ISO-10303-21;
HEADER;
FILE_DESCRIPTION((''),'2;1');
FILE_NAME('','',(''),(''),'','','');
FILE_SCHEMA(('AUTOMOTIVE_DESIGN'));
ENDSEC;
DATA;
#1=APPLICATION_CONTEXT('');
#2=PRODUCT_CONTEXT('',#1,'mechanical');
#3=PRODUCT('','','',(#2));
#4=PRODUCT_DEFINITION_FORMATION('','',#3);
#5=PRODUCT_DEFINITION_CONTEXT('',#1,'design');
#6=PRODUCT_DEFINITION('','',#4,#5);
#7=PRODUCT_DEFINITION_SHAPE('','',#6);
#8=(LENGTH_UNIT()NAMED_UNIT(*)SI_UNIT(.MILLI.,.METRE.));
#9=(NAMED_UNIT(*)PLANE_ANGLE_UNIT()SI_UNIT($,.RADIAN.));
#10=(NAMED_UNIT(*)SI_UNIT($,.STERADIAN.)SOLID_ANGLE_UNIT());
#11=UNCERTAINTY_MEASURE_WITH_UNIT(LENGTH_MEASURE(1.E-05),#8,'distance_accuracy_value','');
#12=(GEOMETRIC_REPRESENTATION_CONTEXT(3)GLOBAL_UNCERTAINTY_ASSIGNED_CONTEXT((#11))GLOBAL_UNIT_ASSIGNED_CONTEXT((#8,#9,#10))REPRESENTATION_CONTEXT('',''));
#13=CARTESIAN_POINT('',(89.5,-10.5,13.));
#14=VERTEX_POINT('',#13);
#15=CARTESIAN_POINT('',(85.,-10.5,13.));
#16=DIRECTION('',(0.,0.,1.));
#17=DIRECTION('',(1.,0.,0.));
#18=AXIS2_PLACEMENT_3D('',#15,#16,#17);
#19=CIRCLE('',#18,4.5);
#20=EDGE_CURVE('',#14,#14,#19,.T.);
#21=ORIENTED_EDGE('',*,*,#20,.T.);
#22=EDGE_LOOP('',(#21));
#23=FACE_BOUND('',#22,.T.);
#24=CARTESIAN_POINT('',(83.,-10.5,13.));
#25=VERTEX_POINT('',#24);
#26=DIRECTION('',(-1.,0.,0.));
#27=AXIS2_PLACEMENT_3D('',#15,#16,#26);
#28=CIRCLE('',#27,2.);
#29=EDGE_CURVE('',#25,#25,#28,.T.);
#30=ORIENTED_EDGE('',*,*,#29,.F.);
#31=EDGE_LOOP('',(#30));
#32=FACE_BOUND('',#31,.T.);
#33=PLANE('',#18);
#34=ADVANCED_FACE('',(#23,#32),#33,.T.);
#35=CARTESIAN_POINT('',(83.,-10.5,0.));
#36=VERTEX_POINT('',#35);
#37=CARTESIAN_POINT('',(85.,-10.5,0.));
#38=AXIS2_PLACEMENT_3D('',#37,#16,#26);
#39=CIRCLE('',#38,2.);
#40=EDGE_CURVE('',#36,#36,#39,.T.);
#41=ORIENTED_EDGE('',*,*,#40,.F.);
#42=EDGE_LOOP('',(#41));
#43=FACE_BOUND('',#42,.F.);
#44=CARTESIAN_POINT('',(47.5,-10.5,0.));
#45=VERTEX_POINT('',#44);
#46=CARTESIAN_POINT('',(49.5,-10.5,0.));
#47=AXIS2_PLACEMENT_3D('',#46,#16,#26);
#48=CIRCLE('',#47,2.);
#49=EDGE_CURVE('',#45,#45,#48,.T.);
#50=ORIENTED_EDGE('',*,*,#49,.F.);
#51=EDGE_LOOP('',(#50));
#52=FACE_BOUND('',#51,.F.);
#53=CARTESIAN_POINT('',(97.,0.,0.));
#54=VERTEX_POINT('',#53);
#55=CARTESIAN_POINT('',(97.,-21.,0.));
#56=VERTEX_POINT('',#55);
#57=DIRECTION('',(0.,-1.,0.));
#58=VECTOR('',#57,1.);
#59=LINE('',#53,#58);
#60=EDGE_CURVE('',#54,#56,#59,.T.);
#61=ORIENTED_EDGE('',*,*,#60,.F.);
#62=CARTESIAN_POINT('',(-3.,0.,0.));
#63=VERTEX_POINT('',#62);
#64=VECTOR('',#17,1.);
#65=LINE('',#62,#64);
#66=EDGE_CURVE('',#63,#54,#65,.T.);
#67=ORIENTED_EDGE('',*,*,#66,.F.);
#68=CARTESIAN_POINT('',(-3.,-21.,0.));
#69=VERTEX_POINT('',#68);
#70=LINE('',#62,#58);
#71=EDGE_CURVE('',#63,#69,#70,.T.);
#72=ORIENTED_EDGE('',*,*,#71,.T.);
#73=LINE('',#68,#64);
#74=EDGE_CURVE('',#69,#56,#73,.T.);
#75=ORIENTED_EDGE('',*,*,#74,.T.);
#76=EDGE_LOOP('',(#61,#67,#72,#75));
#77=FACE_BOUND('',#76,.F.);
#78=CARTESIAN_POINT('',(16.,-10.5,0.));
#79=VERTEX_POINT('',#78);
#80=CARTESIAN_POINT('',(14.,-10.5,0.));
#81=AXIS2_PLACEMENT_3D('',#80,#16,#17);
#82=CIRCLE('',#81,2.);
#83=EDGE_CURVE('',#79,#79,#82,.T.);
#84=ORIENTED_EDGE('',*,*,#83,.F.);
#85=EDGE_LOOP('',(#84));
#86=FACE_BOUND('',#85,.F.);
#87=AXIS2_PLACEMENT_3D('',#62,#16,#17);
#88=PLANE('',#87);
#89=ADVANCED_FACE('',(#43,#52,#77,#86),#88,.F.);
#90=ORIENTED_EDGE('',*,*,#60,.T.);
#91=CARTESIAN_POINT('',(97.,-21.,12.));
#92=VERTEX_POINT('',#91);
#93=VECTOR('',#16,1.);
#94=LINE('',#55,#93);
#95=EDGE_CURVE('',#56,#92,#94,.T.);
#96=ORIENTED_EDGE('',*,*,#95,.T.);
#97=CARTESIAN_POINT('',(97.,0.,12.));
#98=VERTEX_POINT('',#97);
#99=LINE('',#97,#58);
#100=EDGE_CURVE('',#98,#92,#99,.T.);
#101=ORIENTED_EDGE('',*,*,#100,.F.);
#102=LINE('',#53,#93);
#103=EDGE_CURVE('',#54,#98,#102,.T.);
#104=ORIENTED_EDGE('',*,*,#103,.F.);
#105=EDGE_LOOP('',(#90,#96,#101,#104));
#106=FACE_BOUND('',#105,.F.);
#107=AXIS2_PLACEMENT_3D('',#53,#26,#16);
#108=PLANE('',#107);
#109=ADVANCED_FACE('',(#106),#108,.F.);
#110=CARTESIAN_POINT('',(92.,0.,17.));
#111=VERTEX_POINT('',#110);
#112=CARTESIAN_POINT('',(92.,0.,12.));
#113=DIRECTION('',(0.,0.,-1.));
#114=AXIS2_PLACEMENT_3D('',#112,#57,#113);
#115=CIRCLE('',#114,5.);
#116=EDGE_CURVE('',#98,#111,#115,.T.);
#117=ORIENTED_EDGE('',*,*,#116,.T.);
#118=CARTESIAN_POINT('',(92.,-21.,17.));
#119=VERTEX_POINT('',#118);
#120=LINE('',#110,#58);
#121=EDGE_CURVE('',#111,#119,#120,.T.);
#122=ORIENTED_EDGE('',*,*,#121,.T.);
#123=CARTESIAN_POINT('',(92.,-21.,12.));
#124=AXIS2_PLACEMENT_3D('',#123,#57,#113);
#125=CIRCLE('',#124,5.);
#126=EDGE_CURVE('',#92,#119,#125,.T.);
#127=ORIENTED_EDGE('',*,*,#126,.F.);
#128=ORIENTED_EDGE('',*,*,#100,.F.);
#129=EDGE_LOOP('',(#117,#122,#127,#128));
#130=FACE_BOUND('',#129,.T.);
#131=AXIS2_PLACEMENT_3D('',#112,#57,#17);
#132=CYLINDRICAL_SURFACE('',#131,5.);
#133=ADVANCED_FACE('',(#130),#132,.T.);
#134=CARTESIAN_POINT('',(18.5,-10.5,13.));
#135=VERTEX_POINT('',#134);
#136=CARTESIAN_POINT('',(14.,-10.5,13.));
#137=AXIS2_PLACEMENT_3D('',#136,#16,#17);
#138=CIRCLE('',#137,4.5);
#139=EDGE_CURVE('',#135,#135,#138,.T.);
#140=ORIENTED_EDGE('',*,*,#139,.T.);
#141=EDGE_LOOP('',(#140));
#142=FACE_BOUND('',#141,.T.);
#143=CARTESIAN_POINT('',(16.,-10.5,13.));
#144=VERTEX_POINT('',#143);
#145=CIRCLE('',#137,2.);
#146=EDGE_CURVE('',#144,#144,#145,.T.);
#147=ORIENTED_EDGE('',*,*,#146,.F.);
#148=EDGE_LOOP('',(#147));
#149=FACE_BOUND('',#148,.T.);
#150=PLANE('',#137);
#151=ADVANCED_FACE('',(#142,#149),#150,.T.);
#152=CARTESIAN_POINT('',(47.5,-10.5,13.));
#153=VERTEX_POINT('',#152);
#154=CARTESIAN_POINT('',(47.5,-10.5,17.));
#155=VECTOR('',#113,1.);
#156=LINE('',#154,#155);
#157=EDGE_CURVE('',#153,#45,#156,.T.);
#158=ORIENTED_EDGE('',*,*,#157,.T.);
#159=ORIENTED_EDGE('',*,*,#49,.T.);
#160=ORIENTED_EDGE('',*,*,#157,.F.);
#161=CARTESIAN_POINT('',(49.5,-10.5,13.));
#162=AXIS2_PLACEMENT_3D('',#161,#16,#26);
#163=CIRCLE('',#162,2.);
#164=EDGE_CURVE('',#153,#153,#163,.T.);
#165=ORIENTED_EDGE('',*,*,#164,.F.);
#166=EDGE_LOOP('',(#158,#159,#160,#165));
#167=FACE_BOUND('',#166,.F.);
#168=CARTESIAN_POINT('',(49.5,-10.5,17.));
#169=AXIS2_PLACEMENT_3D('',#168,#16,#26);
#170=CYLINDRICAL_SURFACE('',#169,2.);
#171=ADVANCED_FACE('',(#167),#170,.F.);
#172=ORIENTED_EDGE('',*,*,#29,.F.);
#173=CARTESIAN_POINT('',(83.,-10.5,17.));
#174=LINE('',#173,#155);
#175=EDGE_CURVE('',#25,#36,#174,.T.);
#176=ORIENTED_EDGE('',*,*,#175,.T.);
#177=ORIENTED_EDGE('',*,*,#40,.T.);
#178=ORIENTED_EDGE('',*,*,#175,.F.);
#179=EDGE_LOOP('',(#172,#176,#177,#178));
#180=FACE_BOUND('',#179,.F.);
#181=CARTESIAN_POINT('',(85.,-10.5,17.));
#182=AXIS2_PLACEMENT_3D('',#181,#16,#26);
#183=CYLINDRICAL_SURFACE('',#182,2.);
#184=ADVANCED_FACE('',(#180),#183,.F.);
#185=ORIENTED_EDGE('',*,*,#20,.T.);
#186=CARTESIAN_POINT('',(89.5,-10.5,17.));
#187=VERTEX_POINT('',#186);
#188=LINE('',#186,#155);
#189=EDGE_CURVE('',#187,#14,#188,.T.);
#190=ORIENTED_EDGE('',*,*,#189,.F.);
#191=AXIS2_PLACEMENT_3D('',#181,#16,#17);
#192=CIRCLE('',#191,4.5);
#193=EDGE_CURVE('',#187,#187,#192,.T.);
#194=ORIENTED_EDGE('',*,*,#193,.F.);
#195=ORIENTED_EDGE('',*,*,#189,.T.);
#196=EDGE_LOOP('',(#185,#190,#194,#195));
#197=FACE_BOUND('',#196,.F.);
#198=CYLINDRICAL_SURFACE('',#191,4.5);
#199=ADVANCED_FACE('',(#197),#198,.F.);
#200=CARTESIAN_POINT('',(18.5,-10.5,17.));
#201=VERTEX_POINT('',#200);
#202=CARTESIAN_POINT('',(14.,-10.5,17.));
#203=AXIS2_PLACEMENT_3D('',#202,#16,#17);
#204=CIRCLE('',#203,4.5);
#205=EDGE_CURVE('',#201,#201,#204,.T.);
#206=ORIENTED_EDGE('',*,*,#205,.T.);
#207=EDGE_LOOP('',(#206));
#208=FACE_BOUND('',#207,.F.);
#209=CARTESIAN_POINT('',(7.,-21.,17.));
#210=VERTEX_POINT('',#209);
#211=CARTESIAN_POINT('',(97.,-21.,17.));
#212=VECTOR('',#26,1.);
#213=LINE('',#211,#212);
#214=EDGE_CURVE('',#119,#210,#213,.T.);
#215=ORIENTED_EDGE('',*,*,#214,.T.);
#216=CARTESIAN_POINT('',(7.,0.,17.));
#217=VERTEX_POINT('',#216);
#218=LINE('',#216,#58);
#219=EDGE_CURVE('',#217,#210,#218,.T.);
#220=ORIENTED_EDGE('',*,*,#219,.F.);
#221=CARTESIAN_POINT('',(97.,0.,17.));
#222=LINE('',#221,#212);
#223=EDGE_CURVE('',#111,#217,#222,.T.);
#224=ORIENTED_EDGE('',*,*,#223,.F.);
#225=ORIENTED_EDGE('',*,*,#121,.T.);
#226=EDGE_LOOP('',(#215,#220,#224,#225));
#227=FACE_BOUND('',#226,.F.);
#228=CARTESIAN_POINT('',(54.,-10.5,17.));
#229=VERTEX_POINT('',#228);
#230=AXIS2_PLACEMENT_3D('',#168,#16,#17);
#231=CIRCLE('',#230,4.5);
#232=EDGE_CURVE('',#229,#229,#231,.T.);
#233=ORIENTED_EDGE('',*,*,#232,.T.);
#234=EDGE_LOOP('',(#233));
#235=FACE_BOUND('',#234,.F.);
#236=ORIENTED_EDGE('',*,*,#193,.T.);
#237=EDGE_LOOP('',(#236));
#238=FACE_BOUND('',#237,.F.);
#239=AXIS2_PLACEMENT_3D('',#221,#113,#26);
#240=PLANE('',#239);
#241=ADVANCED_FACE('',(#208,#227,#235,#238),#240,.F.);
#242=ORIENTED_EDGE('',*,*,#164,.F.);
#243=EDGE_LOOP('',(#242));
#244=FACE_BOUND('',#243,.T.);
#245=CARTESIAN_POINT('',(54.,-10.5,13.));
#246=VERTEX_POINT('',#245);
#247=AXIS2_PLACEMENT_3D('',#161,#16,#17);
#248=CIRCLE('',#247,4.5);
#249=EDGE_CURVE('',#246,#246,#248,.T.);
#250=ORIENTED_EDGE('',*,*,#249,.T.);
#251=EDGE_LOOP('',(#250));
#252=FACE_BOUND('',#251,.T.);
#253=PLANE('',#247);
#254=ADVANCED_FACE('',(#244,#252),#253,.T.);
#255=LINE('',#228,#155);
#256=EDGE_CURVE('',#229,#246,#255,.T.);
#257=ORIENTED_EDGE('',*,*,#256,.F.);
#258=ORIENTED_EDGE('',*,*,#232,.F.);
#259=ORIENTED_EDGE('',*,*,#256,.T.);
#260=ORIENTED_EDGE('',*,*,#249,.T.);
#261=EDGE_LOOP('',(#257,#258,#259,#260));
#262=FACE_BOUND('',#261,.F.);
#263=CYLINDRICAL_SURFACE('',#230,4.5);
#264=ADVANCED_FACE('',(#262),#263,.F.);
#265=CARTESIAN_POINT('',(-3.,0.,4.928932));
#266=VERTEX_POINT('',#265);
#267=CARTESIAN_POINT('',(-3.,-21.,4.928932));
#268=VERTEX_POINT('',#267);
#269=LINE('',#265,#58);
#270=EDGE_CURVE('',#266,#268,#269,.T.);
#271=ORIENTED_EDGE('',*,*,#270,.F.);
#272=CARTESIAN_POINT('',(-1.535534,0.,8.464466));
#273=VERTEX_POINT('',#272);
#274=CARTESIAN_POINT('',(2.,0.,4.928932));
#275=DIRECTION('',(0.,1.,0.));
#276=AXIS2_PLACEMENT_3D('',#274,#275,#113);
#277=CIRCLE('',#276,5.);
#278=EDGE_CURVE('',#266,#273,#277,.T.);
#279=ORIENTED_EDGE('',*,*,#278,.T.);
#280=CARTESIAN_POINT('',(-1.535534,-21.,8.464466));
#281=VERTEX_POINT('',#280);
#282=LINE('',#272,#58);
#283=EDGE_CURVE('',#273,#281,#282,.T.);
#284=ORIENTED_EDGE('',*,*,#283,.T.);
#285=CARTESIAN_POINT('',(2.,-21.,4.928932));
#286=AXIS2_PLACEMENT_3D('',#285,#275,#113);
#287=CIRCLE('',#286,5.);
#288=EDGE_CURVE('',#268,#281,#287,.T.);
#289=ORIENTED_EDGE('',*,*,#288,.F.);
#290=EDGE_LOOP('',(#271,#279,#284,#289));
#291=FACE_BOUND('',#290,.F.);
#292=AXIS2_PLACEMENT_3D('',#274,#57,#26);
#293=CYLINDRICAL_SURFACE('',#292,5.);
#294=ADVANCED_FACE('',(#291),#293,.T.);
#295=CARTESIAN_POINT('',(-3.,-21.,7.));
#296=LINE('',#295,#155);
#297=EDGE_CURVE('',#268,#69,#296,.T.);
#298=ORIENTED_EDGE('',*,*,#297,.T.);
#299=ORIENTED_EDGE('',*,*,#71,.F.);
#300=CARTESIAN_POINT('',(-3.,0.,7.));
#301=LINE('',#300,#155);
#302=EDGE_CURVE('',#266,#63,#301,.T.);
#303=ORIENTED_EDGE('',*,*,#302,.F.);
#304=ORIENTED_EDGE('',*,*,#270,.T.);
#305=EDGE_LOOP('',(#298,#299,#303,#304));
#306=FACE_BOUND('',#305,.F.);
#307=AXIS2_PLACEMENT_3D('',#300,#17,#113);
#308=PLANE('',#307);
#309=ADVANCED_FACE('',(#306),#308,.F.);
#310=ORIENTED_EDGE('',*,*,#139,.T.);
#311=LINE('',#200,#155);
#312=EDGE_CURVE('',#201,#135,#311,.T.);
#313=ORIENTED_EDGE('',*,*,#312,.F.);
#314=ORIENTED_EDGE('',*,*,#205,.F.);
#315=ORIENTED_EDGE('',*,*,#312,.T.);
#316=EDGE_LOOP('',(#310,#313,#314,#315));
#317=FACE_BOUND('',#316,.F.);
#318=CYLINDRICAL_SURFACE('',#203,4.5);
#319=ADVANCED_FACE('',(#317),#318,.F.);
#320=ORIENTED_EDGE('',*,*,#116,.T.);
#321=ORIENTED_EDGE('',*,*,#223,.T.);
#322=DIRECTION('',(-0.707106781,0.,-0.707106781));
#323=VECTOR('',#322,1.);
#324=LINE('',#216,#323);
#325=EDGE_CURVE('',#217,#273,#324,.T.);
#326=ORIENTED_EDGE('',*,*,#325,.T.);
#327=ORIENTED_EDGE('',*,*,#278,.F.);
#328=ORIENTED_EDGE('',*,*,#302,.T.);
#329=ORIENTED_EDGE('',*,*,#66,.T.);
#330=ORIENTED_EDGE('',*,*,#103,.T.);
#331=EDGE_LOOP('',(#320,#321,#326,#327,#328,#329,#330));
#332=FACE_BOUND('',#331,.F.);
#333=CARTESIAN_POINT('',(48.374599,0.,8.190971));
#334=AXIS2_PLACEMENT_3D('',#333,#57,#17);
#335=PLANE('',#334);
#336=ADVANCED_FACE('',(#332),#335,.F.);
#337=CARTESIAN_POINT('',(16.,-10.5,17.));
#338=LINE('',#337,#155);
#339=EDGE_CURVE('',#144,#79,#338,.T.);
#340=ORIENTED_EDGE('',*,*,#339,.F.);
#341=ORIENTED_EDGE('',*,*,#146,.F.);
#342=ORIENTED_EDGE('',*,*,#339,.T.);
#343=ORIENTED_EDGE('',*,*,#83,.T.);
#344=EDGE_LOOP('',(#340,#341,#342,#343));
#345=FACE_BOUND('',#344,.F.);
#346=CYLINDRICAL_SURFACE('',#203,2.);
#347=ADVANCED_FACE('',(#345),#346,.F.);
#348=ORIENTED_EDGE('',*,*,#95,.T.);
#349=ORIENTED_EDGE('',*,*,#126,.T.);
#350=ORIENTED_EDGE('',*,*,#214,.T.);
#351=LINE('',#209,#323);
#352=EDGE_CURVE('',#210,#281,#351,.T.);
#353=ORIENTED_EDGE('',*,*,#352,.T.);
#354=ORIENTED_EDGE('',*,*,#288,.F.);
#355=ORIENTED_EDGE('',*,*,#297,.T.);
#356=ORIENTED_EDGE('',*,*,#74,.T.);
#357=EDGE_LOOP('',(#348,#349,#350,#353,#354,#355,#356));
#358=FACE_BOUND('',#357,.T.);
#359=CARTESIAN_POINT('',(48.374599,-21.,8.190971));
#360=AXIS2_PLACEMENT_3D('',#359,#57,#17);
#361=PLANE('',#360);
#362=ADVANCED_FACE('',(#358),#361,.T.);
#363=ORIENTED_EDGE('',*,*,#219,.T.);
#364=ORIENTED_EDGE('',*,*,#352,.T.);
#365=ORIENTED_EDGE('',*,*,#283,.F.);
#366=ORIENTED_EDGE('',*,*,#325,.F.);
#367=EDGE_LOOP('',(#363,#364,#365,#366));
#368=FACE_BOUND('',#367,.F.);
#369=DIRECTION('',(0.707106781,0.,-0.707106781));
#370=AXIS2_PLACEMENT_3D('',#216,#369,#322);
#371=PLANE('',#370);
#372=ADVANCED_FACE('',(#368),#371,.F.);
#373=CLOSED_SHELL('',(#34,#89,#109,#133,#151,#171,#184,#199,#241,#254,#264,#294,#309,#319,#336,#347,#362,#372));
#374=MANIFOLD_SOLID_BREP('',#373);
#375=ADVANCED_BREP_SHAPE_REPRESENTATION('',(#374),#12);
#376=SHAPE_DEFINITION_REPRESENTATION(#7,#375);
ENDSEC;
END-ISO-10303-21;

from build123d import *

# Parameters (mm, degrees)
F1_DEPTH = 21
F2_R     = 5
F3_R     = 5
F5_DEPTH = 25
F6_R     = 4.5
F7_DEPTH = 4


with BuildPart() as f1:
    # F0 (on Front) → F1 (new body)
    with BuildSketch(Plane.XZ):
        Polygon((-3, 7), (-3, 0), (97, 0), (97, 17), (7, 17), align=None)
    extrude(amount=F1_DEPTH)

    # F2
    f2_edges = [f1.edges().sort_by_distance(p)[0] for p in [
        (97, -10.5, 17),
    ]]
    fillet(f2_edges, radius=F2_R)

    # F3
    f3_edges = [f1.edges().sort_by_distance(p)[0] for p in [
        (-3, -10.5, 7),
    ]]
    fillet(f3_edges, radius=F3_R)

    # F4 (on face) → F5 (cut)
    with BuildSketch(Plane.XY.offset(17)):
        with BuildLine():
            ThreePointArc((87, -10.5), (85, -8.5), (83, -10.5))
            Line((83, -10.5), (87, -10.5))
        make_face()
        with BuildLine():
            Line((87, -10.5), (83, -10.5))
            ThreePointArc((83, -10.5), (85, -12.5), (87, -10.5))
        make_face()
        with BuildLine():
            ThreePointArc((51.5, -10.5), (49.5, -8.5), (47.5, -10.5))
            Line((47.5, -10.5), (51.5, -10.5))
        make_face()
        with BuildLine():
            Line((51.5, -10.5), (47.5, -10.5))
            ThreePointArc((47.5, -10.5), (49.5, -12.5), (51.5, -10.5))
        make_face()
        with BuildLine():
            ThreePointArc((12, -10.5), (14, -12.5), (16, -10.5))
            Line((16, -10.5), (12, -10.5))
        make_face()
        with BuildLine():
            Line((12, -10.5), (16, -10.5))
            ThreePointArc((16, -10.5), (14, -8.5), (12, -10.5))
        make_face()
    extrude(amount=-F5_DEPTH, mode=Mode.SUBTRACT)

    # F6 (on face) → F7 (cut)
    with BuildSketch(Plane.XY.offset(17)):
        with Locations((14, -10.5)):
            Circle(F6_R)
        with Locations((49.5, -10.5)):
            Circle(F6_R)
        with Locations((85, -10.5)):
            Circle(F6_R)
    extrude(amount=-F7_DEPTH, mode=Mode.SUBTRACT)


solid = f1.part
